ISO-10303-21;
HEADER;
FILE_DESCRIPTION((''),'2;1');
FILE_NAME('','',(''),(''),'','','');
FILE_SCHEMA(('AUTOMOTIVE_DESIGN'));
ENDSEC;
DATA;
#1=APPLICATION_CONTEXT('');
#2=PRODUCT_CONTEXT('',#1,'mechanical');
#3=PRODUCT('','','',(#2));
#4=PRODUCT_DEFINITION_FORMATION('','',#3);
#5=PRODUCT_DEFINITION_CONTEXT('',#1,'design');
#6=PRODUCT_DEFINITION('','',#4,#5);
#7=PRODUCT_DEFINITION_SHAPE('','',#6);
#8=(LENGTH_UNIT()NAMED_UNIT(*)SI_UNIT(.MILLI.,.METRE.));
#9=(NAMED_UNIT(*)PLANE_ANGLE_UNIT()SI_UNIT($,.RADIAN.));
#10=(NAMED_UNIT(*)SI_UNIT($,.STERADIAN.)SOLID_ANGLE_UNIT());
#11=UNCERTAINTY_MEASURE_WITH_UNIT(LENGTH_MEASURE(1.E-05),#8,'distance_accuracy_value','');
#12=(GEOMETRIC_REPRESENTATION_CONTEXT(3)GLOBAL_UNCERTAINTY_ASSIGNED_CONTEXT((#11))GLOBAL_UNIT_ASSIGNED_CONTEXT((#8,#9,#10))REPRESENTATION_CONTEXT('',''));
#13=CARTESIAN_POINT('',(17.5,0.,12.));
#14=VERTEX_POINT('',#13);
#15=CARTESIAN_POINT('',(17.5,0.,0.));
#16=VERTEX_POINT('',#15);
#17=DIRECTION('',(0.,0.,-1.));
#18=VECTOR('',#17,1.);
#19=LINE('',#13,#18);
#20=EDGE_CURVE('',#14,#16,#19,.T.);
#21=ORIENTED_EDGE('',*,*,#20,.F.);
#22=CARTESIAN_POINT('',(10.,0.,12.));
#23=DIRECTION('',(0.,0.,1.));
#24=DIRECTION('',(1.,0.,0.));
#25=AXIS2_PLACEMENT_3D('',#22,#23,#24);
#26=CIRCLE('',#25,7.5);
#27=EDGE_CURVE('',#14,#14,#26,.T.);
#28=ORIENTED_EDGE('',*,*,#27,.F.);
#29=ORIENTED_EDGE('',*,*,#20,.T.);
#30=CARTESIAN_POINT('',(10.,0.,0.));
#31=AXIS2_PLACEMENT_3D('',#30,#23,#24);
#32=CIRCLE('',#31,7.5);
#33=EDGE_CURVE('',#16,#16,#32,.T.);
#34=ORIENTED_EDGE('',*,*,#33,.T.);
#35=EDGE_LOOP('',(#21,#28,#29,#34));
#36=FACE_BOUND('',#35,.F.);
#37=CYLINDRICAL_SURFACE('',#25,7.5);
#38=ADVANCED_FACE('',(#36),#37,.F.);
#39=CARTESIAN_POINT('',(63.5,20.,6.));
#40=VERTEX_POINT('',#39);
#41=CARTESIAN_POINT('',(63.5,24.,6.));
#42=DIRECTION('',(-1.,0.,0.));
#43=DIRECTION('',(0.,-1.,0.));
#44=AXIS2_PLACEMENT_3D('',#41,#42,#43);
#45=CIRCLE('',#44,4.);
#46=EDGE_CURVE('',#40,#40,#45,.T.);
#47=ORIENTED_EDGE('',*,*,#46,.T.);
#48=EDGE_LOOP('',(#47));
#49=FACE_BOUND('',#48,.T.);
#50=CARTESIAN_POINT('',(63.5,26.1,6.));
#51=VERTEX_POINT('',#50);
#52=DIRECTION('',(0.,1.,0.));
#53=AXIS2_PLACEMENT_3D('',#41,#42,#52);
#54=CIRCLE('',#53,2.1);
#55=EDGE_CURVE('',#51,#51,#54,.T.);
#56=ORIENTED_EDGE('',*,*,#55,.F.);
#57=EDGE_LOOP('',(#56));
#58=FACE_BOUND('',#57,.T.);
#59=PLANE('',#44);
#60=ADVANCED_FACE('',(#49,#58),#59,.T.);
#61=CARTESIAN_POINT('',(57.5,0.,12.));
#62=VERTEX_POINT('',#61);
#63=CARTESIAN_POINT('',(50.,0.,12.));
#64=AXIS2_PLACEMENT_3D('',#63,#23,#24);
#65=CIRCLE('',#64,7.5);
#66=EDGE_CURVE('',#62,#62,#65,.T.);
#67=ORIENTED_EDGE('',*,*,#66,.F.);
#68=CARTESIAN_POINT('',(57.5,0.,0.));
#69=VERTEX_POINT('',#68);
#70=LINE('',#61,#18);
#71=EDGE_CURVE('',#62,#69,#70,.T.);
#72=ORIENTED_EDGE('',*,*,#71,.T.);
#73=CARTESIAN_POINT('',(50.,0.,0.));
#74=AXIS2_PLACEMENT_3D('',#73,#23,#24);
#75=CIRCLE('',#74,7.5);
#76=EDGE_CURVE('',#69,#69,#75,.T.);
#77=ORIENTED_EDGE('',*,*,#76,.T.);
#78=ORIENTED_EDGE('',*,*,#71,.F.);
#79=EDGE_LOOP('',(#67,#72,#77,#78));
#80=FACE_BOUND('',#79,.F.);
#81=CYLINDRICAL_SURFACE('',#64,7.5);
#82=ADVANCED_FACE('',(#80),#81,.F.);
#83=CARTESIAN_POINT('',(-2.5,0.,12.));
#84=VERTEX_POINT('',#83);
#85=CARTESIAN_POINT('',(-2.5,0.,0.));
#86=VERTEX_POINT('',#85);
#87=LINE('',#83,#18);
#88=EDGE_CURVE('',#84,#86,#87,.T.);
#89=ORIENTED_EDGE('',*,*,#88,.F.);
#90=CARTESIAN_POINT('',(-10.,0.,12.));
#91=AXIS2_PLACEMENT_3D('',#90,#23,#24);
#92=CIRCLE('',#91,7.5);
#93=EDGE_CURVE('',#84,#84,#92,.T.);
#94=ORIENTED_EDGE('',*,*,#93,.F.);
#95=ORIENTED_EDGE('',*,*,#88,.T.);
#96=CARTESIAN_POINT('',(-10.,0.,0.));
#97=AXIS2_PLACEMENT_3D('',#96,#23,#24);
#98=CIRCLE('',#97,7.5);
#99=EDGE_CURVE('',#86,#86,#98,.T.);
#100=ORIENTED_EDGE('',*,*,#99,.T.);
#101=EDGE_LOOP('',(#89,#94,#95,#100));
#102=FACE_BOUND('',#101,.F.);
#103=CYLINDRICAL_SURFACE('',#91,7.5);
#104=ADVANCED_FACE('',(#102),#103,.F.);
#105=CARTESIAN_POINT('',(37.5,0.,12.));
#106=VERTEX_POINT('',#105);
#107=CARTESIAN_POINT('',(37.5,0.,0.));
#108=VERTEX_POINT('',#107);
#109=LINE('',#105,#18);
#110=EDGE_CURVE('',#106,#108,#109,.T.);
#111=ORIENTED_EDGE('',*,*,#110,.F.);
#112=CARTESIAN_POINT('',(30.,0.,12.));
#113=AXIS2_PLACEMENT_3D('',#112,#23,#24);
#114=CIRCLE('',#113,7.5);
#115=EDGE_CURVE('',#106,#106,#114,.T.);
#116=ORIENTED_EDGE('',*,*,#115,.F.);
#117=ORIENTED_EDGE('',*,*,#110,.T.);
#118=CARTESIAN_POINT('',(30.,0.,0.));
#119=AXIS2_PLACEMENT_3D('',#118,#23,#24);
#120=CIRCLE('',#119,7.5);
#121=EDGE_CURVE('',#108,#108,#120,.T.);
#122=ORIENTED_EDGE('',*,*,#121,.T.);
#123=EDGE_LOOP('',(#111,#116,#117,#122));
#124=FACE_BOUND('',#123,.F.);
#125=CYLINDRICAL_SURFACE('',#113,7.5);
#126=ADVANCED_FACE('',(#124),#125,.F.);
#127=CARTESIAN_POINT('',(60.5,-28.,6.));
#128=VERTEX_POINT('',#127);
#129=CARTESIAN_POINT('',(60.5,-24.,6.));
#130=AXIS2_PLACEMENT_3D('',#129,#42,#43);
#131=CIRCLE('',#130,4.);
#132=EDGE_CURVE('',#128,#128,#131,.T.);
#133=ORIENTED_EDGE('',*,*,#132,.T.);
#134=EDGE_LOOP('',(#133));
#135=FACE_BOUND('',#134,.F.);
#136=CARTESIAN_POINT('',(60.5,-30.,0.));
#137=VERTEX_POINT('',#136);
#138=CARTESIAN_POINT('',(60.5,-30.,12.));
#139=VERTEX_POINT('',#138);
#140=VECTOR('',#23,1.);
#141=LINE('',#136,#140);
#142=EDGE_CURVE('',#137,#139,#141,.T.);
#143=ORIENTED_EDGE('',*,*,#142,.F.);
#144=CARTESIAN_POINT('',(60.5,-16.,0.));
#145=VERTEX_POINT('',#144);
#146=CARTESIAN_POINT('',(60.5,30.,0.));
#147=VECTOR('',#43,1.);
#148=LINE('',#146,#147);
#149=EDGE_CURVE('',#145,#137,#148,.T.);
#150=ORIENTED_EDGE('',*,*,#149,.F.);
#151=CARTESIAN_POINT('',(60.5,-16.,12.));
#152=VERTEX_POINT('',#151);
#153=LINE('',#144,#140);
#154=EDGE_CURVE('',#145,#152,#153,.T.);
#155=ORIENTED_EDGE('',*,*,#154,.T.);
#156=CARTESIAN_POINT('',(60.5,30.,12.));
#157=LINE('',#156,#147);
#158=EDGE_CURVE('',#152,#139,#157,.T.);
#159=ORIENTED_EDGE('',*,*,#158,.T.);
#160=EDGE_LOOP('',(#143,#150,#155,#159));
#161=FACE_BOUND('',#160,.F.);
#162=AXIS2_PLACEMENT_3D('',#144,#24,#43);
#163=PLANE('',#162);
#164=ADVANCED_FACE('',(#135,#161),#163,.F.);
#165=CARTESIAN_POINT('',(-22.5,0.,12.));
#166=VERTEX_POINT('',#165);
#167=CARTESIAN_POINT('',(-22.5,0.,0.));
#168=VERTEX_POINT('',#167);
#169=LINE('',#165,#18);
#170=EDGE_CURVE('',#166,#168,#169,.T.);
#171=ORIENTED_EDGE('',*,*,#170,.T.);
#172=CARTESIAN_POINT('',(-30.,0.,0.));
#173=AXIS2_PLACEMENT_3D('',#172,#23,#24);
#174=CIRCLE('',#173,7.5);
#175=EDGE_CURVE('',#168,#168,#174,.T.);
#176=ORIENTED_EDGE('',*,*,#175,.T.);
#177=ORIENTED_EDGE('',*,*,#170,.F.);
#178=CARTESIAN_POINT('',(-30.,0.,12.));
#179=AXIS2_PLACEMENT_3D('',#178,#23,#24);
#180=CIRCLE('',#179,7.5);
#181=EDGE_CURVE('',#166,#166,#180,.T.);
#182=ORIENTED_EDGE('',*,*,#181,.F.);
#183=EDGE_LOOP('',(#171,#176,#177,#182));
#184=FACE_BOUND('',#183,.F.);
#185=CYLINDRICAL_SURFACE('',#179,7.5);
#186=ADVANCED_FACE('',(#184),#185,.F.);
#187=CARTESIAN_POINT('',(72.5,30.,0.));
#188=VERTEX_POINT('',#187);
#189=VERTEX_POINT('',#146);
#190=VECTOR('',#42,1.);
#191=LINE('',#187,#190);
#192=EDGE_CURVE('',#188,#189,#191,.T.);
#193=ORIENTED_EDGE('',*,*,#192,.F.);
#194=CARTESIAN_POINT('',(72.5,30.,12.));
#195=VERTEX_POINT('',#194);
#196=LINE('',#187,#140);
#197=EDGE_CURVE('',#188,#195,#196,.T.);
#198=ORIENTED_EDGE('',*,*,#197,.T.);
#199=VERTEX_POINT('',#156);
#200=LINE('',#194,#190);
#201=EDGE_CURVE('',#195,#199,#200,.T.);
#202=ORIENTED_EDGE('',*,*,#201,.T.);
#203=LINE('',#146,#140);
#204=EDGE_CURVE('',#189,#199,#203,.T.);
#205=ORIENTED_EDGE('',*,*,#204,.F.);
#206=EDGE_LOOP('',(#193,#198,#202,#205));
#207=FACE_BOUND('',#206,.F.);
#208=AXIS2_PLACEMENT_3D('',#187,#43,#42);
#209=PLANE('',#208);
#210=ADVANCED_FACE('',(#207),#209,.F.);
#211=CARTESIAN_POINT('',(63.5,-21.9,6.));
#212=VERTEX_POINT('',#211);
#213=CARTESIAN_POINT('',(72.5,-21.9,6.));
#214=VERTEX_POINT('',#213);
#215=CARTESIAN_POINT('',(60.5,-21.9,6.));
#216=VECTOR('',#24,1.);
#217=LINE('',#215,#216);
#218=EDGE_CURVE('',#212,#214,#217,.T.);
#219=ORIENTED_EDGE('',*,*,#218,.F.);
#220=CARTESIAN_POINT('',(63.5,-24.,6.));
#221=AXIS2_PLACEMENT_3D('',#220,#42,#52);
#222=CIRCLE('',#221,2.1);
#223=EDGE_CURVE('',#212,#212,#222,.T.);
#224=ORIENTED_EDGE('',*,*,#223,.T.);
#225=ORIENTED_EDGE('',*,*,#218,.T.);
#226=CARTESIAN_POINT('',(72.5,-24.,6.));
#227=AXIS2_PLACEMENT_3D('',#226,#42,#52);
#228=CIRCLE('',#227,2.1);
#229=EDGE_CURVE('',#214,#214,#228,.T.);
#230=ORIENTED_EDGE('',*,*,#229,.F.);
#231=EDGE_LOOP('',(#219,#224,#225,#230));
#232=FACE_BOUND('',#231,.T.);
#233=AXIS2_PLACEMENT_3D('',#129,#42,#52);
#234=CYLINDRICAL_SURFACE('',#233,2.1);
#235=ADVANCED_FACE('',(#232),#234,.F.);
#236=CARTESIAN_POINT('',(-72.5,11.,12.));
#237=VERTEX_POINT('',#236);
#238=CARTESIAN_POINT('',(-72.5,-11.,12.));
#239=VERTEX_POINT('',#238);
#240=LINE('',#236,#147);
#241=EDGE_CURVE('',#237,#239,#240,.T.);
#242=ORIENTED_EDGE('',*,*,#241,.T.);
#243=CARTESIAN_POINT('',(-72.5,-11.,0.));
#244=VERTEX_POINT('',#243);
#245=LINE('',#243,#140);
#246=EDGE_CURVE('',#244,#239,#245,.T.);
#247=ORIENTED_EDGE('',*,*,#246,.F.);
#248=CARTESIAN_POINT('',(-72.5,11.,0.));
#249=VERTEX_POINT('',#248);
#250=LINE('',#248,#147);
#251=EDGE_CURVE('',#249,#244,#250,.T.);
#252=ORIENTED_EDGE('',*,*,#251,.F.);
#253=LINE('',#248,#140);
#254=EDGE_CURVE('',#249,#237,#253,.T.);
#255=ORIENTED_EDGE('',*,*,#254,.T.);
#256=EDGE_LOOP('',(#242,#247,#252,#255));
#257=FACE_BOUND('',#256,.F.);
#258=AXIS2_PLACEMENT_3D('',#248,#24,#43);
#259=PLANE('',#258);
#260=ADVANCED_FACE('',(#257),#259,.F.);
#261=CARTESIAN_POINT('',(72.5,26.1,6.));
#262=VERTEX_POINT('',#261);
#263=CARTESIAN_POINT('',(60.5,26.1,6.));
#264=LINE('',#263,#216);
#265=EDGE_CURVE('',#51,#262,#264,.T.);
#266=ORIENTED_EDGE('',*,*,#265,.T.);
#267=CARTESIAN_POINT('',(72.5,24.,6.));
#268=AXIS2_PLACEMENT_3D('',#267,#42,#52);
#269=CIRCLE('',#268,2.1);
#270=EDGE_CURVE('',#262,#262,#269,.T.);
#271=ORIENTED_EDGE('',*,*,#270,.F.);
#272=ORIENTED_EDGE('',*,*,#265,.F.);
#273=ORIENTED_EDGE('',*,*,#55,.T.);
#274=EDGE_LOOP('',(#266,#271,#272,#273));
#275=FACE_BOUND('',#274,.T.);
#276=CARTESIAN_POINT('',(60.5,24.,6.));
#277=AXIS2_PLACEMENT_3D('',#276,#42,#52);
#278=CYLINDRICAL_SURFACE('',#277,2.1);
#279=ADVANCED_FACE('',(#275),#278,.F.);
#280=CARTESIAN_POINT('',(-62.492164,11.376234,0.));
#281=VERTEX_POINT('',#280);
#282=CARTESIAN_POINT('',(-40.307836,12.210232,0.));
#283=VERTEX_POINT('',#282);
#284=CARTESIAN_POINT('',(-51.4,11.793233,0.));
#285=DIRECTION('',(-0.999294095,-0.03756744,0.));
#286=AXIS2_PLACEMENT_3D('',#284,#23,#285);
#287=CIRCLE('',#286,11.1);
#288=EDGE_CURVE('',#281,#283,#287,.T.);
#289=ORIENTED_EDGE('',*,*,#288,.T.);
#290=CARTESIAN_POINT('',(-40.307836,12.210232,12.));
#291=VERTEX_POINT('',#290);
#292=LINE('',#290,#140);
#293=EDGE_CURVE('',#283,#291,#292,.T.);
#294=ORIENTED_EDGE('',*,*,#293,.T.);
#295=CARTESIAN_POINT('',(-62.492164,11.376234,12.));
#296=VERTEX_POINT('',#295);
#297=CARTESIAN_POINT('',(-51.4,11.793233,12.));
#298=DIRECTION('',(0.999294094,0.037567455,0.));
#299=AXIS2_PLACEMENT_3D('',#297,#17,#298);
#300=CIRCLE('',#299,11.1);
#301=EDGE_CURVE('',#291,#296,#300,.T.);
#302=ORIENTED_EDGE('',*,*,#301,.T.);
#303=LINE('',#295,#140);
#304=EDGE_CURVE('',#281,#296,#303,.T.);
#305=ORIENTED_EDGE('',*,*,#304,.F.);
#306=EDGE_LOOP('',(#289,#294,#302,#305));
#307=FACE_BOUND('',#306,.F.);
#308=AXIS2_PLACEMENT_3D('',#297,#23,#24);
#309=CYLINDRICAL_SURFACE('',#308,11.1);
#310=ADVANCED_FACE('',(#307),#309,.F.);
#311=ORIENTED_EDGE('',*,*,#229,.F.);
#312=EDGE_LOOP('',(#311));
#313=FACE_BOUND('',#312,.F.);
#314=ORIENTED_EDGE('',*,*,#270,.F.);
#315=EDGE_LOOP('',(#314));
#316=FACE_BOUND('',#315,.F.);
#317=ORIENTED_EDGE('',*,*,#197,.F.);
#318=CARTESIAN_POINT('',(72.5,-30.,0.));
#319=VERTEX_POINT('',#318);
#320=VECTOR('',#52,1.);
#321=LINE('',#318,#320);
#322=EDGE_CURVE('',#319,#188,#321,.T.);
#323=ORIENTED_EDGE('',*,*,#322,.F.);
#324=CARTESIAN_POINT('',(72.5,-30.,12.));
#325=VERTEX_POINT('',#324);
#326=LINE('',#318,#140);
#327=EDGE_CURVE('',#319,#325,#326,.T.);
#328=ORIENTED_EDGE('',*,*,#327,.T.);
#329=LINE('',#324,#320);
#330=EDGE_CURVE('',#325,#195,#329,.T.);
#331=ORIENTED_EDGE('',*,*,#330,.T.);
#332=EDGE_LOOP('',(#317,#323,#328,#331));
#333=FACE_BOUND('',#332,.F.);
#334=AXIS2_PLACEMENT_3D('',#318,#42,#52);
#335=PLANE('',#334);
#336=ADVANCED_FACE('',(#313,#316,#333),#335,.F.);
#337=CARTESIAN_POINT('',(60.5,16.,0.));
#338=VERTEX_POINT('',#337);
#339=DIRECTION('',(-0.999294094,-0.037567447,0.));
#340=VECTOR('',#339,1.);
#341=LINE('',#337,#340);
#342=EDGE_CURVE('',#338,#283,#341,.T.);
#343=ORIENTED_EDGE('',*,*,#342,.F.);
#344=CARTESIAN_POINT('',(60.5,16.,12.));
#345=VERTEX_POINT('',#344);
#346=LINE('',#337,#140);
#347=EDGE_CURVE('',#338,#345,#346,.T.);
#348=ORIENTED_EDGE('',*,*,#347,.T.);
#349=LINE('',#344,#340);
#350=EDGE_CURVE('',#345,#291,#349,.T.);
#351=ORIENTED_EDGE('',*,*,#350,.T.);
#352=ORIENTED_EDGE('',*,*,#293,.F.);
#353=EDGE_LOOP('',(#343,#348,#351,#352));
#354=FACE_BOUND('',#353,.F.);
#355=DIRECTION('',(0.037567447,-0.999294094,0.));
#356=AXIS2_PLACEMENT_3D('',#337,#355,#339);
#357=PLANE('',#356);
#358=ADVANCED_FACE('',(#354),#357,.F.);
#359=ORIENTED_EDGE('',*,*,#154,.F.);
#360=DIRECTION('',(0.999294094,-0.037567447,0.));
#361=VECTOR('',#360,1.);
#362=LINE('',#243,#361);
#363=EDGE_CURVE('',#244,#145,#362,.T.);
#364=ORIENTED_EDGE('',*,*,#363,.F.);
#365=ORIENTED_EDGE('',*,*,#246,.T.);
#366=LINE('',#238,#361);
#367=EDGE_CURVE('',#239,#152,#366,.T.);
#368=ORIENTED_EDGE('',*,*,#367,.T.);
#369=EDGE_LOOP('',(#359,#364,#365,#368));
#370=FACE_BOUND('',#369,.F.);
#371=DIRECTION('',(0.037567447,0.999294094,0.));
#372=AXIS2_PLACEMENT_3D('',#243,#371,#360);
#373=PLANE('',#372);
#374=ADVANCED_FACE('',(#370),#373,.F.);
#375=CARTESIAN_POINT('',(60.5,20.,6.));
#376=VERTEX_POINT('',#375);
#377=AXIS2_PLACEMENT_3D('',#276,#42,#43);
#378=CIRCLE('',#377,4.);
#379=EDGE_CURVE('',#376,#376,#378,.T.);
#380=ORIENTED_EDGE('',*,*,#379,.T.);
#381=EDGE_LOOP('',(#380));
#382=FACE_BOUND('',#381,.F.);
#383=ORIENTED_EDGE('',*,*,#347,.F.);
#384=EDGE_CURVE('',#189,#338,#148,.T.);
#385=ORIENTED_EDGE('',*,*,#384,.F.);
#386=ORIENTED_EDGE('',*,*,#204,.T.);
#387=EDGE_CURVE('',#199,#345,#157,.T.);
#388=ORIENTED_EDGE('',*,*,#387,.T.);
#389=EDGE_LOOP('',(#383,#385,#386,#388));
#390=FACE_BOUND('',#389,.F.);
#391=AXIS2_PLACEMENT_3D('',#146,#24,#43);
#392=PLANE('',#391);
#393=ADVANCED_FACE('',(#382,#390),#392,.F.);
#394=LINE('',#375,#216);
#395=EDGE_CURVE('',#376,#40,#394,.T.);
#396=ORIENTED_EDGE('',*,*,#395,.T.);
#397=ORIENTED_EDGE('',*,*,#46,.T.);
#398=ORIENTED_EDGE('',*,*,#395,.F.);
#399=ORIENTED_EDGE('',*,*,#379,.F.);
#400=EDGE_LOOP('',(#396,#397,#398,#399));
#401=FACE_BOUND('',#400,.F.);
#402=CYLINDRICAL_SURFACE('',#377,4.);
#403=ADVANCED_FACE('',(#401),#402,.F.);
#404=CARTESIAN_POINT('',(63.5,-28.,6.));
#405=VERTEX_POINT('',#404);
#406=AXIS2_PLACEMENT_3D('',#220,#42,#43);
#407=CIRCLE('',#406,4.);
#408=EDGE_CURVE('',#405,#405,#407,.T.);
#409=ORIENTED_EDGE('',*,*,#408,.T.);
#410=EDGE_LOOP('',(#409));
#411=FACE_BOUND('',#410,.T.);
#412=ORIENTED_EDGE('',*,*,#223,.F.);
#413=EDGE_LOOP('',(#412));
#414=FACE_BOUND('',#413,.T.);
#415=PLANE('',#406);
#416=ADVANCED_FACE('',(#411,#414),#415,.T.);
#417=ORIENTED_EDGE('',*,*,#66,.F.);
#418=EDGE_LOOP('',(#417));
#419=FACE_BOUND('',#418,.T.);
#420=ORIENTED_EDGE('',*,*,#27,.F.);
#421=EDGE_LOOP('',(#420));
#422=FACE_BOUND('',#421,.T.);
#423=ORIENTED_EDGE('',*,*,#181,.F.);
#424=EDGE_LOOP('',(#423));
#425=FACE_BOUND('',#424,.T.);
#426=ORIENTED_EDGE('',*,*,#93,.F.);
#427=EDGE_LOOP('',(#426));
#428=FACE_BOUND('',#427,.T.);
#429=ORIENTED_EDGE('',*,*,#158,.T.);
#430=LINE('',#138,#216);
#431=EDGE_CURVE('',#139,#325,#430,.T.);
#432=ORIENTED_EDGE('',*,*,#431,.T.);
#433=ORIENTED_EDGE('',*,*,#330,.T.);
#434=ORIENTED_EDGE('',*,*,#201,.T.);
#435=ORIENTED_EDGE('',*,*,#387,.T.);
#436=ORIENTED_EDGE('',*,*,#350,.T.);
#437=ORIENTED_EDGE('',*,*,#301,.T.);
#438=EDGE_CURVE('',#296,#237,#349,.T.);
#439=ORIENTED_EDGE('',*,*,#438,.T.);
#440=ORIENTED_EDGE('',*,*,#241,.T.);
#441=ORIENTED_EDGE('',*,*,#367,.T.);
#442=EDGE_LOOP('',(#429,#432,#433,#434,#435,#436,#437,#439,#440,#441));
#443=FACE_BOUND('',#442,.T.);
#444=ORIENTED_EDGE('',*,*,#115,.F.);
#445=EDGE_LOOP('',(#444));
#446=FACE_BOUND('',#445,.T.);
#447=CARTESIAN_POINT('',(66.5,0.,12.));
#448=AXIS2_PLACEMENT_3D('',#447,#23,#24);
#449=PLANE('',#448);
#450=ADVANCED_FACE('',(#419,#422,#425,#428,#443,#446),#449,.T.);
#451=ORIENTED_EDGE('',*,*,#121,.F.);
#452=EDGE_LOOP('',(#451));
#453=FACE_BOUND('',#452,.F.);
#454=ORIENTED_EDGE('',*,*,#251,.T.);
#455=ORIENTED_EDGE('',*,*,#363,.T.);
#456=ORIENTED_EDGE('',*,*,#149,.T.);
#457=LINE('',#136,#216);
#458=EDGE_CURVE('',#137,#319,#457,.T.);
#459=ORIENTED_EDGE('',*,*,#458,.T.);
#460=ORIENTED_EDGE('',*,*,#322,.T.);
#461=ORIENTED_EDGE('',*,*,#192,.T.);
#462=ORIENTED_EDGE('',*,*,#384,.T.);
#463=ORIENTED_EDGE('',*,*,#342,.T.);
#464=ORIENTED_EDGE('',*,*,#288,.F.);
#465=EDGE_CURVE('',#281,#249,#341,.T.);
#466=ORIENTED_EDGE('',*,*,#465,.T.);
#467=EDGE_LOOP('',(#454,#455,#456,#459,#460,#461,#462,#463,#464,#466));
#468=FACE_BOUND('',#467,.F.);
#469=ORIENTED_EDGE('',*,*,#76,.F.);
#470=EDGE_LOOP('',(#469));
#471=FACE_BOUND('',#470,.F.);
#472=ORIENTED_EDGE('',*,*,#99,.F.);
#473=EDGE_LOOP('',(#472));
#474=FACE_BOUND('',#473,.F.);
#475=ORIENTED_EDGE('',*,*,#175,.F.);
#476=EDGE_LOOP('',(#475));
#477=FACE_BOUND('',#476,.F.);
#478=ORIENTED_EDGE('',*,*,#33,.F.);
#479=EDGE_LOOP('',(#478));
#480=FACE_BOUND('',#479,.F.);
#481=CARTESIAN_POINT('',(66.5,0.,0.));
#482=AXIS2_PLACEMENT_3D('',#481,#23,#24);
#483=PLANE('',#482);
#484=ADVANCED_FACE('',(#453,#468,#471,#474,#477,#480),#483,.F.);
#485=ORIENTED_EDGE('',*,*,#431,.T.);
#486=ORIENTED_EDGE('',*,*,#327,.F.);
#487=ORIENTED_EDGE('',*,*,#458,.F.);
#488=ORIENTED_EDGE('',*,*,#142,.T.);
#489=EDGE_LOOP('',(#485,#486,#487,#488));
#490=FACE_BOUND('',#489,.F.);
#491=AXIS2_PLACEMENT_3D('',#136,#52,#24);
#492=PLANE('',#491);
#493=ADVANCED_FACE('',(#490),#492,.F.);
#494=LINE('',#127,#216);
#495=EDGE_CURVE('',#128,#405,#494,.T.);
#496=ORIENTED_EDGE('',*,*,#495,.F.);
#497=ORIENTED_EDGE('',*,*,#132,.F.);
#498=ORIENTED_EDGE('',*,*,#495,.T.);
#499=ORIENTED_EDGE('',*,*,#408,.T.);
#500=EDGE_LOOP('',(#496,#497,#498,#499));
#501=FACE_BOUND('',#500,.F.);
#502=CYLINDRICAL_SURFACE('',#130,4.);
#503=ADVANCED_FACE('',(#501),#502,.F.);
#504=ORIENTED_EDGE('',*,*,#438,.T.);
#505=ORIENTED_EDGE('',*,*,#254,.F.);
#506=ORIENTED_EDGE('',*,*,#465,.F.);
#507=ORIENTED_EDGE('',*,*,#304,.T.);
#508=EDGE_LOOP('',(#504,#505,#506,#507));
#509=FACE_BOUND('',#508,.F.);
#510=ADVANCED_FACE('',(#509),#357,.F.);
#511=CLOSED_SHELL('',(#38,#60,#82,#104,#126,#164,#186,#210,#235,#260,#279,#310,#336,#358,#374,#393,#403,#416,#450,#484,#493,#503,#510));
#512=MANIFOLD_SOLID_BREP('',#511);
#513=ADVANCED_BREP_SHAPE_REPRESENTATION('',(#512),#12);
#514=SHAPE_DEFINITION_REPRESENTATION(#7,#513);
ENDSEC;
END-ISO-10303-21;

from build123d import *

# Parameters (mm, degrees)
F1_DEPTH  = 12
F2_R      = 11.1
F3_DEPTH  = 12.001
F5_R      = 2.1
F6_DEPTH  = 12.001
F7_R      = 4
F8_DEPTH  = 3
F9_R      = 4
F10_DEPTH = 3
F11_R     = 7.5
F12_DEPTH = 12.001


with BuildPart() as f1:
    # F0 (on Top) → F1 (new body)
    with BuildSketch(Plane.XY):
        Polygon((60.5, -30), (72.5, -30), (72.5, 30), (60.5, 30), (60.5, 16), (60.5, -16), align=None)
        Polygon((-72.5, -11), (60.5, -16), (60.5, 16), (-72.5, 11), align=None)
    extrude(amount=F1_DEPTH)

    # F2 (on face) → F3 (cut, through all)
    with BuildSketch(Plane.XY.offset(12)):
        with Locations((-51.4, 11.793233)):
            Circle(F2_R)
    extrude(amount=-F3_DEPTH, mode=Mode.SUBTRACT)

    # F5 (on offset) → F6 (cut, through all)
    with BuildSketch(Plane.YZ.offset(60.5)):
        with Locations((24, 6)):
            Circle(F5_R)
        with Locations((-24, 6)):
            Circle(F5_R)
    extrude(amount=F6_DEPTH, mode=Mode.SUBTRACT)

    # F7 (on face) → F8 (cut)
    with BuildSketch(Plane(origin=(60.5, 0, 0), x_dir=(0, -1, 0), z_dir=(-1, 0, 0))):
        with Locations((-24, 6)):
            Circle(F7_R)
    extrude(amount=-F8_DEPTH, mode=Mode.SUBTRACT)

    # F9 (on face) → F10 (cut)
    with BuildSketch(Plane(origin=(60.5, 0, 0), x_dir=(0, -1, 0), z_dir=(-1, 0, 0))):
        with Locations((24, 6)):
            Circle(F9_R)
    extrude(amount=-F10_DEPTH, mode=Mode.SUBTRACT)

    # F11 (on face) → F12 (cut, through all)
    with BuildSketch(Plane.XY.offset(12)):
        with Locations((-30, 0)):
            Circle(F11_R)
        with Locations((-10, 0)):
            Circle(F11_R)
        with Locations((10, 0)):
            Circle(F11_R)
        with Locations((30, 0)):
            Circle(F11_R)
        with Locations((50, 0)):
            Circle(F11_R)
    extrude(amount=-F12_DEPTH, mode=Mode.SUBTRACT)


solid = f1.part
